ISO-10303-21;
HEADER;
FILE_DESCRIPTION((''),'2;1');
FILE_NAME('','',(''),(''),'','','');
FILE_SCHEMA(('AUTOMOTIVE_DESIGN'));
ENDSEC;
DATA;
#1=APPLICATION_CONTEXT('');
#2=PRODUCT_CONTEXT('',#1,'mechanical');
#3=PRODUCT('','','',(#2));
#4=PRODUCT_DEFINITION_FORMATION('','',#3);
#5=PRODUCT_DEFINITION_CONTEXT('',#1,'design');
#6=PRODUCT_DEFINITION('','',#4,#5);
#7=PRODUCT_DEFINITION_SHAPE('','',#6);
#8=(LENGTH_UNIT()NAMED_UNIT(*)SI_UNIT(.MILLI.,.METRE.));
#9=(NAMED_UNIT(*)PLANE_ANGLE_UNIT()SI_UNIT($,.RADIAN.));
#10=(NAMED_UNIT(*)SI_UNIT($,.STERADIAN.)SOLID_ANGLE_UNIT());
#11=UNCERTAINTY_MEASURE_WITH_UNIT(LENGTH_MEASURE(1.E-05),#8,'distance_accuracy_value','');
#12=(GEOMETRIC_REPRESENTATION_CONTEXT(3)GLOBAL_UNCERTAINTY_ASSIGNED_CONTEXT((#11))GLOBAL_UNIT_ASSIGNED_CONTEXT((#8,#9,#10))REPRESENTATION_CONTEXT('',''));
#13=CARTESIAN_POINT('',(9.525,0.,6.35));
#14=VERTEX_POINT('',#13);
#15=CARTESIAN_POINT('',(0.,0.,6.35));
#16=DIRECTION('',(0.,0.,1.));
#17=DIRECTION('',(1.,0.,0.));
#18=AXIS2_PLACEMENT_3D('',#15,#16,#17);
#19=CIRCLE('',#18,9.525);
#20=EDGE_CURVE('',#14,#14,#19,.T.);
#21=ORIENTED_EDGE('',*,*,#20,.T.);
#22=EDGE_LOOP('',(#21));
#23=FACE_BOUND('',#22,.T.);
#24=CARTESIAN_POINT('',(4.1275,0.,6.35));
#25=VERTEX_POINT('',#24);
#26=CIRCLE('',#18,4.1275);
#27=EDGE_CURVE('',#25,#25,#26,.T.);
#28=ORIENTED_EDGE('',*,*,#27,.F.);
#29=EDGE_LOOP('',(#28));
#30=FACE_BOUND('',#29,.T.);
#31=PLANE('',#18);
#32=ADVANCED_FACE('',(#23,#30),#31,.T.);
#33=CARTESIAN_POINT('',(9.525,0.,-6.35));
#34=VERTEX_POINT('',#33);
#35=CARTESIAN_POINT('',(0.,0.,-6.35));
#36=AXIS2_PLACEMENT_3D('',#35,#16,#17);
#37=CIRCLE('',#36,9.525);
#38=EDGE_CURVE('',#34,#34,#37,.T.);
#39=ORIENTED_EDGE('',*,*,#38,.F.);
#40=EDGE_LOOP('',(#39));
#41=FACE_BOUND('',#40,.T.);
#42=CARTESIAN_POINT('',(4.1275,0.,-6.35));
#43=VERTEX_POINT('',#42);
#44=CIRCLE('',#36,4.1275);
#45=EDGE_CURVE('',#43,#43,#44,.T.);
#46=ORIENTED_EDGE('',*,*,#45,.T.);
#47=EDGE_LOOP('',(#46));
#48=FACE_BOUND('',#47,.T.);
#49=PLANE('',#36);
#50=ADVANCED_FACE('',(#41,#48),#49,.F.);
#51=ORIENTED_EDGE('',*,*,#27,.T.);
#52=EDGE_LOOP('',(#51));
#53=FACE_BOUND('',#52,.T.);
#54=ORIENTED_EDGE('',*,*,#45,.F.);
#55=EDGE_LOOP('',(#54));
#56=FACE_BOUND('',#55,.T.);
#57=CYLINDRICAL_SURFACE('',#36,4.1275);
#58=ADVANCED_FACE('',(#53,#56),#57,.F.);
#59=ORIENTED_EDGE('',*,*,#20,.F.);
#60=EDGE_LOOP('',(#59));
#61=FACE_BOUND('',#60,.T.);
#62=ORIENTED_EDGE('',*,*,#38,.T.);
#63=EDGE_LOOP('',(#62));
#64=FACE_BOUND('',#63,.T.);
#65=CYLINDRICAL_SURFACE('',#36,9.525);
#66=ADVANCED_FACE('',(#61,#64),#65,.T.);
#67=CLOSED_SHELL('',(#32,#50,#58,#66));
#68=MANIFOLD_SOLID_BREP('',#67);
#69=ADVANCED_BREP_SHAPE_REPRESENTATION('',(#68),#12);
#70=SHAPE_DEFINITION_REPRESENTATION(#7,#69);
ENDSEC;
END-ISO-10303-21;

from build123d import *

# Parameters (mm, degrees)
SKETCH3_R                = 9.525
SKETCH3_R_2              = 4.1275
BOSS_EXTRUDE1_DEPTH      = 6.35
BOSS_EXTRUDE1_DEPTH_BACK = 6.35


with BuildPart() as part:
    # Sketch3 → Boss-Extrude1 (new body, two sides)
    with BuildSketch(Plane.XY) as boss_extrude1_sk:
        Circle(SKETCH3_R)
        Circle(SKETCH3_R_2, mode=Mode.SUBTRACT)
    extrude(amount=BOSS_EXTRUDE1_DEPTH)
    extrude(boss_extrude1_sk.sketch, amount=-BOSS_EXTRUDE1_DEPTH_BACK)


solid = part.part
